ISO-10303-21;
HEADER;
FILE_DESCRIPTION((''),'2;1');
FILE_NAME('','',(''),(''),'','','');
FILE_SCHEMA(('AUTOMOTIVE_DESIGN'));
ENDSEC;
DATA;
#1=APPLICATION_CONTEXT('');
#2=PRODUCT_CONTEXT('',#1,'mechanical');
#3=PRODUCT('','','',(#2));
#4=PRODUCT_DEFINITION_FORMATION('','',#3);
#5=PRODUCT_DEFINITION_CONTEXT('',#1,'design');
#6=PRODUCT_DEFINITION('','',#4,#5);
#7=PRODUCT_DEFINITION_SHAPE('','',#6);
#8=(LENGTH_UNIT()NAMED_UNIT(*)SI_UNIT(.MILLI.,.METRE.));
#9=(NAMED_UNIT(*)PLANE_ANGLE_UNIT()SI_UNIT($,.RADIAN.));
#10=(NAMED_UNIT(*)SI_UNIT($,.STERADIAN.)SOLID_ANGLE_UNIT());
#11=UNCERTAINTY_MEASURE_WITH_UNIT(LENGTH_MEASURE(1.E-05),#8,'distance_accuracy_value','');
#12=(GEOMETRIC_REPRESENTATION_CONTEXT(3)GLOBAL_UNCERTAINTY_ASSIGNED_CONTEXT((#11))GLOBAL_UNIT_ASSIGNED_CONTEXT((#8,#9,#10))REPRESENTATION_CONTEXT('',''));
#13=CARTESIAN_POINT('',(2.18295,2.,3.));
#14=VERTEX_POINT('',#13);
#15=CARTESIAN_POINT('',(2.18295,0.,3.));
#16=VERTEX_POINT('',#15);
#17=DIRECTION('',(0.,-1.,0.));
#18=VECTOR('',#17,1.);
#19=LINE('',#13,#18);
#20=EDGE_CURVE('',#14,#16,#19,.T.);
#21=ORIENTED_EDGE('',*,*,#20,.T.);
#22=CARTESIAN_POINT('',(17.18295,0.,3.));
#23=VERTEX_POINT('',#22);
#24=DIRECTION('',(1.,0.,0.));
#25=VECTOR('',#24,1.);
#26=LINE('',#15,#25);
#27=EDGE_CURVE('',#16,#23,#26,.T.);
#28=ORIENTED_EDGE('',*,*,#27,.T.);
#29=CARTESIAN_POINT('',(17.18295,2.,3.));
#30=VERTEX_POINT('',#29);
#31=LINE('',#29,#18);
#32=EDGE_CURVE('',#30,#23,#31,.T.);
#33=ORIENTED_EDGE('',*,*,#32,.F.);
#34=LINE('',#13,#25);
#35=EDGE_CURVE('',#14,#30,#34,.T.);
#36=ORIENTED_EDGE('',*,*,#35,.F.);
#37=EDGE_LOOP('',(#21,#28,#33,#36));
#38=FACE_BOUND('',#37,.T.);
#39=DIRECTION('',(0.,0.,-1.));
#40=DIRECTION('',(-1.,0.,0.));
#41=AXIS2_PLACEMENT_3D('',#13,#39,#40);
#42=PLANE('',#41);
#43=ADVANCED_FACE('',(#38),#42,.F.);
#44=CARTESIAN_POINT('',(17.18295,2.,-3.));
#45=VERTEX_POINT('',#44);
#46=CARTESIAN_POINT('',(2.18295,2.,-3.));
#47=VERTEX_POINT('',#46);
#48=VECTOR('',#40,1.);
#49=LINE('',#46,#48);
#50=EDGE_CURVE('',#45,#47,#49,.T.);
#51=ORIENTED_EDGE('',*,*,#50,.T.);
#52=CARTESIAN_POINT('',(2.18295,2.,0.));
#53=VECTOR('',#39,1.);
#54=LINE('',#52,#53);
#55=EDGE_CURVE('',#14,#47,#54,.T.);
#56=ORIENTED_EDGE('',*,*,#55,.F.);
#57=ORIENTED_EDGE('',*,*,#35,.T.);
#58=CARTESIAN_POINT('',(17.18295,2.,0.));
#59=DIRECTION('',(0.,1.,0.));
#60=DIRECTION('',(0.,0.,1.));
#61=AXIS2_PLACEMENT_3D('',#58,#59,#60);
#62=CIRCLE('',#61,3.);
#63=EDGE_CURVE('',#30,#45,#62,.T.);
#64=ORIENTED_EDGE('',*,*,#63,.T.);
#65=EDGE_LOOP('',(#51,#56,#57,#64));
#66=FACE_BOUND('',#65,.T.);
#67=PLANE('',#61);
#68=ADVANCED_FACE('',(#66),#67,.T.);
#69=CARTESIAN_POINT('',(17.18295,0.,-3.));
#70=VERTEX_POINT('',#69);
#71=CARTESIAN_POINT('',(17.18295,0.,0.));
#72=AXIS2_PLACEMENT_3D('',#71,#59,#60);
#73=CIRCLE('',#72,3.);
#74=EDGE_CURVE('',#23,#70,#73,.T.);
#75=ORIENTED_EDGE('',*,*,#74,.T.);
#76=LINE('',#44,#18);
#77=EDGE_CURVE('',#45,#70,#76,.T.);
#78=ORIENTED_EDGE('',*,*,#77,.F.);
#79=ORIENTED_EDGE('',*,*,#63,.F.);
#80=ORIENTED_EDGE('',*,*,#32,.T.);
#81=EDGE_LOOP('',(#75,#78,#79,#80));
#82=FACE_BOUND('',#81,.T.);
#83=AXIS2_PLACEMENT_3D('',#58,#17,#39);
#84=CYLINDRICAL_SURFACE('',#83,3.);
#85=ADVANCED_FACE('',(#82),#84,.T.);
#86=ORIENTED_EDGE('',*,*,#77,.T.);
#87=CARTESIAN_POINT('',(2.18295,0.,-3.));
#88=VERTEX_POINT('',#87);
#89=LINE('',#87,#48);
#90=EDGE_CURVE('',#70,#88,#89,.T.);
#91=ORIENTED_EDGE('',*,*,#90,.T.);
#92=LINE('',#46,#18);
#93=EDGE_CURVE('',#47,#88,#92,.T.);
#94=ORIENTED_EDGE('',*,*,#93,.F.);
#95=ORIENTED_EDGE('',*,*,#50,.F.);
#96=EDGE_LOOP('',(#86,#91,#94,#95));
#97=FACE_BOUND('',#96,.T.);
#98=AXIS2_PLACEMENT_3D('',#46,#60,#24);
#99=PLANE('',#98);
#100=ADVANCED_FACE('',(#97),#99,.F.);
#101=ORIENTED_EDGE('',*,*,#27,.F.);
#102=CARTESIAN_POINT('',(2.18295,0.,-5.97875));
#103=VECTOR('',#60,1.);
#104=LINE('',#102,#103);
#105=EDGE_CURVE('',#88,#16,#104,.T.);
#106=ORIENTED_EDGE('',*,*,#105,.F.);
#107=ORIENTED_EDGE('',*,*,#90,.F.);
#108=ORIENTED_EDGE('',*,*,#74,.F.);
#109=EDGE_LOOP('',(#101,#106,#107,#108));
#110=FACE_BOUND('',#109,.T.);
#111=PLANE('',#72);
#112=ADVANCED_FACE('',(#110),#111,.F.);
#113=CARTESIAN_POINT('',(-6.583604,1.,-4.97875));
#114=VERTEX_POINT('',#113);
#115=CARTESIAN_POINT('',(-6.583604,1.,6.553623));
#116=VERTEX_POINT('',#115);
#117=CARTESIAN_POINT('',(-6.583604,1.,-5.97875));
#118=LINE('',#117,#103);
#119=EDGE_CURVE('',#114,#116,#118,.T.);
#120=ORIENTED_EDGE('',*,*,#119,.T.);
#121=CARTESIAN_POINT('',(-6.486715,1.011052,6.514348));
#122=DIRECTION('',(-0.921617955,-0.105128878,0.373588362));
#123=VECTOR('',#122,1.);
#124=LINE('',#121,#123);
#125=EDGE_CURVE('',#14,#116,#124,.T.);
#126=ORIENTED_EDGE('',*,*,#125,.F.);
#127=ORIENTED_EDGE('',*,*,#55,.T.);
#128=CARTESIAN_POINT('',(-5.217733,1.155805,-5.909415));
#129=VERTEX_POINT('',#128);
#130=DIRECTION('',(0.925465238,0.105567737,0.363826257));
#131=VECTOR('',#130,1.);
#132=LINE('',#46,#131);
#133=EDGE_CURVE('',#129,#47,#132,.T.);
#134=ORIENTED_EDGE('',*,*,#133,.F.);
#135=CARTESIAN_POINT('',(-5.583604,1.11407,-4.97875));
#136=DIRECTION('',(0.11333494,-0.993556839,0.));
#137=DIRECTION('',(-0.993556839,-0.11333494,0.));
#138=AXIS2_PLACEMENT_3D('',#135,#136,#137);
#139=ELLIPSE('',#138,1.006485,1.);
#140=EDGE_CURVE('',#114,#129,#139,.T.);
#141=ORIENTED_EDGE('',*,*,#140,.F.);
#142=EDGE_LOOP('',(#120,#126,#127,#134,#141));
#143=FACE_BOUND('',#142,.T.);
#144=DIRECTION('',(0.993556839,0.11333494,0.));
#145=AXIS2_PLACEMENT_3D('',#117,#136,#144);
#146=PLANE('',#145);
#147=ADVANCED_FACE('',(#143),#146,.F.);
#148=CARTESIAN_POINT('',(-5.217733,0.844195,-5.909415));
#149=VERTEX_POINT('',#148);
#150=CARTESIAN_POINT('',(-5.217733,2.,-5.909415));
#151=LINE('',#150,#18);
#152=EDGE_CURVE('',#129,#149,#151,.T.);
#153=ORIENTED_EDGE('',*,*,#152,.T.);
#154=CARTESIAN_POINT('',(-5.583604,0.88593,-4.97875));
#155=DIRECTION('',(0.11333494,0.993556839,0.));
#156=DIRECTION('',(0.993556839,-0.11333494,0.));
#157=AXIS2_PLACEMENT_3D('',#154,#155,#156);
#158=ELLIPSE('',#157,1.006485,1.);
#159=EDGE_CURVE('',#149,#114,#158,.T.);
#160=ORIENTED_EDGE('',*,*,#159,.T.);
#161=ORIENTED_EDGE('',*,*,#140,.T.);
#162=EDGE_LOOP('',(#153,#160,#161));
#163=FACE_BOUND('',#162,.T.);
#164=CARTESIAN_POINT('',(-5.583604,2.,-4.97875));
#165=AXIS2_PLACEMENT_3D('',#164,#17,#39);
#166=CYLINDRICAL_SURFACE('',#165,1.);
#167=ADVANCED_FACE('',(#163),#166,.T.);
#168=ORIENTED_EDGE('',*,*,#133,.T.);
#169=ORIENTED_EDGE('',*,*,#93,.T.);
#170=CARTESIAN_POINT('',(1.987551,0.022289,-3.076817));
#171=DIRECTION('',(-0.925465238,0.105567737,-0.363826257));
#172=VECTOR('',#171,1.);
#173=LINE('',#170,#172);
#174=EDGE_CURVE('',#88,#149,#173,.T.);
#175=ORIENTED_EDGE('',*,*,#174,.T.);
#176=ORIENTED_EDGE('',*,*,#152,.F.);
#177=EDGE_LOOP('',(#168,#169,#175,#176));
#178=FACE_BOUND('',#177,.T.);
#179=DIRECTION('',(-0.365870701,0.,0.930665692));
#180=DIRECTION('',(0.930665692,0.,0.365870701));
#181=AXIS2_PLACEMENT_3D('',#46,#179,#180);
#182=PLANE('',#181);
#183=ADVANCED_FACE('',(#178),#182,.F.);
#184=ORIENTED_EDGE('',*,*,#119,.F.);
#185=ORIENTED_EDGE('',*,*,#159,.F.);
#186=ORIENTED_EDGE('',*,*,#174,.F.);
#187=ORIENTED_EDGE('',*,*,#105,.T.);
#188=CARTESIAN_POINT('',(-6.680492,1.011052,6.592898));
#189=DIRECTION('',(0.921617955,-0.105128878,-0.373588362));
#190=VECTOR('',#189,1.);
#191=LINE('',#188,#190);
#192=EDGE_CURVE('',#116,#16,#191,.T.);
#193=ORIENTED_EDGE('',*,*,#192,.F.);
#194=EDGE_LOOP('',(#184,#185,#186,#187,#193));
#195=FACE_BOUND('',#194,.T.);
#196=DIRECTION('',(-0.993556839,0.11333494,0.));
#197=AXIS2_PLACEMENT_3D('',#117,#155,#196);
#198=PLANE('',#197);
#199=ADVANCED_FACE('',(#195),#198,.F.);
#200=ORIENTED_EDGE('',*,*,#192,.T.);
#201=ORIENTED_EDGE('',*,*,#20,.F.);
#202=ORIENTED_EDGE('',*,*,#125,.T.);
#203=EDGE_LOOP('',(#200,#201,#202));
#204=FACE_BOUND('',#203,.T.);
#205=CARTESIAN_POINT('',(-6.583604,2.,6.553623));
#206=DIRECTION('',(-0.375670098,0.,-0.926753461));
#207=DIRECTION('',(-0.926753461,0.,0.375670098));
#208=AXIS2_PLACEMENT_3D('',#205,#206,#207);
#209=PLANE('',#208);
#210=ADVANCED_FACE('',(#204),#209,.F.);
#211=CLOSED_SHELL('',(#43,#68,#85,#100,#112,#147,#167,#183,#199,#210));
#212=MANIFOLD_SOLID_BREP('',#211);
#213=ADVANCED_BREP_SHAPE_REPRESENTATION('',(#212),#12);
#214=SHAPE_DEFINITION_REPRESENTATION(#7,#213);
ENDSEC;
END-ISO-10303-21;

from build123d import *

# Parameters (mm, degrees)
BOSS_EXTRUDE1_DEPTH     = 2
CUT_EXTRUDE1_DEPTH      = 22.314348222
CUT_EXTRUDE1_DEPTH_BACK = 22.314348222
CUT_EXTRUDE2_DEPTH      = 22.314348222
CUT_EXTRUDE2_DEPTH_BACK = 22.314348222


with BuildPart() as part:
    # Sketch1 → Boss-Extrude1 (new body)
    with BuildSketch(Plane(origin=(0, 0, 0), x_dir=(1, 0, 0), z_dir=(0, 1, 0))):
        with BuildLine():
            Line((2.182949987, 3), (-5.217733039, 5.909415386))
            ThreePointArc((-5.217733039, 5.909415386), (-6.146688679, 5.80514872), (-6.583603739, 4.978749694))
            Line((-6.583603739, 4.978749694), (-6.583603739, -6.553622658))
            Line((-6.583603739, -6.553622658), (2.182949987, -3))
            Line((2.182949987, -3), (17.182949987, -3))
            ThreePointArc((17.182949987, -3), (20.182949987, 0), (17.182949987, 3))
            Line((17.182949987, 3), (2.182949987, 3))
        make_face()
    extrude(amount=BOSS_EXTRUDE1_DEPTH)

    # Sketch2 → Cut-Extrude1 (cut, two sides: drawn at the far end of the back side and taken through both)
    with BuildSketch(Plane.XY.offset(-CUT_EXTRUDE1_DEPTH_BACK)):
        Polygon((-6.583603739, 1), (2.182949987, 2), (-6.583603739, 2), align=None)
    extrude(amount=CUT_EXTRUDE1_DEPTH + CUT_EXTRUDE1_DEPTH_BACK, mode=Mode.SUBTRACT)

    # Sketch3 → Cut-Extrude2 (cut, two sides: drawn at the far end of the back side and taken through both)
    with BuildSketch(Plane.XY.offset(-CUT_EXTRUDE2_DEPTH_BACK)):
        Polygon((-6.583603739, 1), (-6.583603739, 0), (2.182949987, 0), align=None)
    extrude(amount=CUT_EXTRUDE2_DEPTH + CUT_EXTRUDE2_DEPTH_BACK, mode=Mode.SUBTRACT)


solid = part.part
